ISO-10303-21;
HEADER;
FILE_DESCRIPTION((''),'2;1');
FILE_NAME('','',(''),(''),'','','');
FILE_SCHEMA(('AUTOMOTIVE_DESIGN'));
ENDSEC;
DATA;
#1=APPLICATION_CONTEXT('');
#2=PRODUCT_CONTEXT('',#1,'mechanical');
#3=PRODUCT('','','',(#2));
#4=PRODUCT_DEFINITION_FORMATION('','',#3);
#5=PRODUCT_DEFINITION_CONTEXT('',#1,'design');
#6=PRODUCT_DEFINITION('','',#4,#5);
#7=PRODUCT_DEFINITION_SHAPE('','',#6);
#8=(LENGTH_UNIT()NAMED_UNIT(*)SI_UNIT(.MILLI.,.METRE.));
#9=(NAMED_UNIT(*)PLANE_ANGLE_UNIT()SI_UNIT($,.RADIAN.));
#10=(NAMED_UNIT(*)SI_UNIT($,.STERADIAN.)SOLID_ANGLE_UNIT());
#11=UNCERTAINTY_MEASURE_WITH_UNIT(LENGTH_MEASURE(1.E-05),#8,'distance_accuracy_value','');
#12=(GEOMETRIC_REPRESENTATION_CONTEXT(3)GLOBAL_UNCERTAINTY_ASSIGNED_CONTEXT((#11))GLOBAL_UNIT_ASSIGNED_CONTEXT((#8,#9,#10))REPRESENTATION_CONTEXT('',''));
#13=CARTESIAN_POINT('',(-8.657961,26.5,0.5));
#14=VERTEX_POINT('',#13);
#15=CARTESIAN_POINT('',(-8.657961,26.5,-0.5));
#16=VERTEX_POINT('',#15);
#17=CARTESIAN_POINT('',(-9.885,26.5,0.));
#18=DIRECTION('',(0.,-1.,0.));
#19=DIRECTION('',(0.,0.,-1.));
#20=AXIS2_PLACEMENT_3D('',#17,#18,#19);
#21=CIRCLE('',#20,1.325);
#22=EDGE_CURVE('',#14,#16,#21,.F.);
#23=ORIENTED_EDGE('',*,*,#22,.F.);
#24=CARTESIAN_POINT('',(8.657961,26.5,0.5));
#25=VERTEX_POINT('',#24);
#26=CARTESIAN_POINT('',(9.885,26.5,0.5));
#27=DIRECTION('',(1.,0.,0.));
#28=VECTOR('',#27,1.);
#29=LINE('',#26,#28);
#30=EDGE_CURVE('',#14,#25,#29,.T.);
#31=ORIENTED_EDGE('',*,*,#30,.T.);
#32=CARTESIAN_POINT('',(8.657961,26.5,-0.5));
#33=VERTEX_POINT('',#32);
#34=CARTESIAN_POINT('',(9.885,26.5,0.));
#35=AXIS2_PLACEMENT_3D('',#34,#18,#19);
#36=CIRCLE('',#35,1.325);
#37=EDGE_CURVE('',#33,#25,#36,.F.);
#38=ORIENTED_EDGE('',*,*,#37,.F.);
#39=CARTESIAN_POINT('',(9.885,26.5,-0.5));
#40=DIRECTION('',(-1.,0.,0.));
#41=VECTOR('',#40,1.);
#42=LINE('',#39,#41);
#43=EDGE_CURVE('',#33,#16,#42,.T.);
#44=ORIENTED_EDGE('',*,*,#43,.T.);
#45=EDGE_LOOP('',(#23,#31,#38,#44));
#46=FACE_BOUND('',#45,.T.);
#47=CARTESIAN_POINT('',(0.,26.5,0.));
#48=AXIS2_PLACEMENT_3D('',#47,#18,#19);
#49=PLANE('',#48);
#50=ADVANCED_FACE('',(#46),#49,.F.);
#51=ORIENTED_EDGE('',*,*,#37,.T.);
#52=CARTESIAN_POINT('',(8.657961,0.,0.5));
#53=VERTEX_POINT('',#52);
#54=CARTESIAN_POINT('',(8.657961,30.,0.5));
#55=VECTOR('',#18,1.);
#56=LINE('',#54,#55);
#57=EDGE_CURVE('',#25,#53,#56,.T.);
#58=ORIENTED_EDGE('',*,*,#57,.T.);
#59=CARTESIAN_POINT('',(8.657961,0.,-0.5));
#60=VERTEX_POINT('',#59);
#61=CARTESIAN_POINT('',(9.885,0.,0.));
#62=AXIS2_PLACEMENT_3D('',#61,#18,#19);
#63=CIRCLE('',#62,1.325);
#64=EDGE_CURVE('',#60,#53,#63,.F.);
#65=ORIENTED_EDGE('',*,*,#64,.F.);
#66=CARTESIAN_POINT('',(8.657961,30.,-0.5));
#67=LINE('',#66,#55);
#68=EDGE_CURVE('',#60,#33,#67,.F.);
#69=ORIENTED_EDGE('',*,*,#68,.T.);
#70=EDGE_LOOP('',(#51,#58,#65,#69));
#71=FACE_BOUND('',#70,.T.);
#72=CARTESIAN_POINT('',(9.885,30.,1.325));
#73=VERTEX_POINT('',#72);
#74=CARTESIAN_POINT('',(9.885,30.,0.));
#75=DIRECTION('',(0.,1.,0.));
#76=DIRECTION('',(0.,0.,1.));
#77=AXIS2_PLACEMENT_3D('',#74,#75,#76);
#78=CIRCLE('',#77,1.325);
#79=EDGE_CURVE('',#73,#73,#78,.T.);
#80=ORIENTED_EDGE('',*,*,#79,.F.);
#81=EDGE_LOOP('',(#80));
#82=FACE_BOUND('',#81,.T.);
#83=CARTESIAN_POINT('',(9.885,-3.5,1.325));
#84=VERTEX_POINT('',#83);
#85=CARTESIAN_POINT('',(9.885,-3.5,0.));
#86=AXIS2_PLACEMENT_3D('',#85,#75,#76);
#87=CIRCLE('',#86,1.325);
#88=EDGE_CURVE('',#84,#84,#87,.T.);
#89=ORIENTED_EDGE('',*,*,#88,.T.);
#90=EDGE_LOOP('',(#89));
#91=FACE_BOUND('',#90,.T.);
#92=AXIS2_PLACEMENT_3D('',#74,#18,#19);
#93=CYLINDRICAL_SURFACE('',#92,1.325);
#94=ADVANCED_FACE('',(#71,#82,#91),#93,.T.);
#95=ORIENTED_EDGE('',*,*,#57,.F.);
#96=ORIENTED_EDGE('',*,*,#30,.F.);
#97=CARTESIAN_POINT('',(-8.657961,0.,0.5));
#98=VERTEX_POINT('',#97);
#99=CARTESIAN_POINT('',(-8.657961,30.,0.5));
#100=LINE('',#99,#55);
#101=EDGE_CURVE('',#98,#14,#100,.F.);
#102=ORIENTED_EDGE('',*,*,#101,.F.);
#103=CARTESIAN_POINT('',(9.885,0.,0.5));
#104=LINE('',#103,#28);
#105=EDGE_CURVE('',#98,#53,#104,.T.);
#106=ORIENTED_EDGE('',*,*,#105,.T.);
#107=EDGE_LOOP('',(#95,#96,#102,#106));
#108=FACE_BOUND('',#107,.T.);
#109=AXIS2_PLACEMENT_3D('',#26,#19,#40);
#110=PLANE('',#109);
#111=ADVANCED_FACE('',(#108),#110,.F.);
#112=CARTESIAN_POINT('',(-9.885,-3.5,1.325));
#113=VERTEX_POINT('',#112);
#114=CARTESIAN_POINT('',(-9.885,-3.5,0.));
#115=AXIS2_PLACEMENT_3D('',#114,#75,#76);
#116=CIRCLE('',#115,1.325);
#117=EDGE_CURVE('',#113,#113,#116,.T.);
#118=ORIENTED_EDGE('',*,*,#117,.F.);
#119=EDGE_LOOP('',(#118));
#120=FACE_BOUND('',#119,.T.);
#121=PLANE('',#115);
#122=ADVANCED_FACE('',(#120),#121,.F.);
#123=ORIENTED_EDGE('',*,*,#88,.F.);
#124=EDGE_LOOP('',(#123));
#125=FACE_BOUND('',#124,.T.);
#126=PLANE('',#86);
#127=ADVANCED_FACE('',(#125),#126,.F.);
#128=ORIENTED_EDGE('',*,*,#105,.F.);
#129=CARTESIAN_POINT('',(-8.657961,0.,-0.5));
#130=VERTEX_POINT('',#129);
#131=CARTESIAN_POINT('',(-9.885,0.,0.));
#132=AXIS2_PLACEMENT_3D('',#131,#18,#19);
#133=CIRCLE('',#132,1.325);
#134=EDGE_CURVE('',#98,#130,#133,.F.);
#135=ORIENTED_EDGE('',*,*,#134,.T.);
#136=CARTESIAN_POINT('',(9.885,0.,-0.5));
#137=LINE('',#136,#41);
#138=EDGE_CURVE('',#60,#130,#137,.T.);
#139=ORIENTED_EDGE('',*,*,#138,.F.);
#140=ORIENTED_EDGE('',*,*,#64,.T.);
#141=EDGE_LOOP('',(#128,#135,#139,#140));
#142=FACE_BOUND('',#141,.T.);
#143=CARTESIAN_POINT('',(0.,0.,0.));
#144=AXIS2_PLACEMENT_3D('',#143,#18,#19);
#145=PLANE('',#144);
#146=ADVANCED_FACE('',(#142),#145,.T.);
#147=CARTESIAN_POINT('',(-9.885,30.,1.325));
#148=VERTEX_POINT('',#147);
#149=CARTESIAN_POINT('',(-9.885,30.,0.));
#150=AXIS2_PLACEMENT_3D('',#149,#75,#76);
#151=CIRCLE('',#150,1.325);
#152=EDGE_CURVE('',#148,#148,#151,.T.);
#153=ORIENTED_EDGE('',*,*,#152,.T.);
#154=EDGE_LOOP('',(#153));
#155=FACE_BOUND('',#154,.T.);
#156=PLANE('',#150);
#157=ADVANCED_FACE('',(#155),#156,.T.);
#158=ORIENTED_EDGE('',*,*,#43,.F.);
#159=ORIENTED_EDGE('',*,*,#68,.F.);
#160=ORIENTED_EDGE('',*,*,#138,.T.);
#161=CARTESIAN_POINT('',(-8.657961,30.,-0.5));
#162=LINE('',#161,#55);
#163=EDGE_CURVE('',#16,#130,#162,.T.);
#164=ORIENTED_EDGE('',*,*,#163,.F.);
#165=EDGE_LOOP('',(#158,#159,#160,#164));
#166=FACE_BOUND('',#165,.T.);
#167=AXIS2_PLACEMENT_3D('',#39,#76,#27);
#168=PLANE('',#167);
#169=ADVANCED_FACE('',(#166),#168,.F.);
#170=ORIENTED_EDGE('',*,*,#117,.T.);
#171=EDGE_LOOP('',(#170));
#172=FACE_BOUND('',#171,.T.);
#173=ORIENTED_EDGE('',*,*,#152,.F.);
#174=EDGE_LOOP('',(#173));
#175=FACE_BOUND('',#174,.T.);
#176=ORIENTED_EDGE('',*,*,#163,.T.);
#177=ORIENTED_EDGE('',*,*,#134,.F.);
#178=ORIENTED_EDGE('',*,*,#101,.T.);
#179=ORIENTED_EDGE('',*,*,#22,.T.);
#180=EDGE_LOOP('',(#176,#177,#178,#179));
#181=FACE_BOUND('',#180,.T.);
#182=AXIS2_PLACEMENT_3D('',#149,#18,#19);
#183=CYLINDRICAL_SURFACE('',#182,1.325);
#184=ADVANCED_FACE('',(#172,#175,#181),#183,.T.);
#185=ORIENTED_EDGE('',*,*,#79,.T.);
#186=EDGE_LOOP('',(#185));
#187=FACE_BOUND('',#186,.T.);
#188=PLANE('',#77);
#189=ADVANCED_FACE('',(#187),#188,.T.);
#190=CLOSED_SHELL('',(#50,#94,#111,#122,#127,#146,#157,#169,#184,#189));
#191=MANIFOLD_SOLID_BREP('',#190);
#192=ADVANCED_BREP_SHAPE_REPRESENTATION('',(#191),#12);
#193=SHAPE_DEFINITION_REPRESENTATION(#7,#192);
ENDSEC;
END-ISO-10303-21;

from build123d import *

# Parameters (mm, degrees)
SKETCH1_W           = 19.77
SKETCH1_H           = 1
BOSS_EXTRUDE1_DEPTH = 26.5
SKETCH2_R           = 1.325
BOSS_EXTRUDE2_DEPTH = 16.75


with BuildPart() as part:
    # Sketch1 → Boss-Extrude1 (new body)
    with BuildSketch(Plane(origin=(0, 0, 0), x_dir=(1, 0, 0), z_dir=(0, 1, 0))):
        Rectangle(SKETCH1_W, SKETCH1_H)
    extrude(amount=BOSS_EXTRUDE1_DEPTH)

    # Sketch2 → Boss-Extrude2 (add, symmetric)
    with BuildSketch(Plane(origin=(0, 13.25, 0), x_dir=(1, 0, 0), z_dir=(0, 1, 0))):
        with Locations(Location((-9.885, 0, 0), (0, 0, 270))):
            Circle(SKETCH2_R)
        with Locations(Location((9.885, 0, 0), (0, 0, 270))):
            Circle(SKETCH2_R)
    extrude(amount=BOSS_EXTRUDE2_DEPTH, both=True)


solid = part.part
